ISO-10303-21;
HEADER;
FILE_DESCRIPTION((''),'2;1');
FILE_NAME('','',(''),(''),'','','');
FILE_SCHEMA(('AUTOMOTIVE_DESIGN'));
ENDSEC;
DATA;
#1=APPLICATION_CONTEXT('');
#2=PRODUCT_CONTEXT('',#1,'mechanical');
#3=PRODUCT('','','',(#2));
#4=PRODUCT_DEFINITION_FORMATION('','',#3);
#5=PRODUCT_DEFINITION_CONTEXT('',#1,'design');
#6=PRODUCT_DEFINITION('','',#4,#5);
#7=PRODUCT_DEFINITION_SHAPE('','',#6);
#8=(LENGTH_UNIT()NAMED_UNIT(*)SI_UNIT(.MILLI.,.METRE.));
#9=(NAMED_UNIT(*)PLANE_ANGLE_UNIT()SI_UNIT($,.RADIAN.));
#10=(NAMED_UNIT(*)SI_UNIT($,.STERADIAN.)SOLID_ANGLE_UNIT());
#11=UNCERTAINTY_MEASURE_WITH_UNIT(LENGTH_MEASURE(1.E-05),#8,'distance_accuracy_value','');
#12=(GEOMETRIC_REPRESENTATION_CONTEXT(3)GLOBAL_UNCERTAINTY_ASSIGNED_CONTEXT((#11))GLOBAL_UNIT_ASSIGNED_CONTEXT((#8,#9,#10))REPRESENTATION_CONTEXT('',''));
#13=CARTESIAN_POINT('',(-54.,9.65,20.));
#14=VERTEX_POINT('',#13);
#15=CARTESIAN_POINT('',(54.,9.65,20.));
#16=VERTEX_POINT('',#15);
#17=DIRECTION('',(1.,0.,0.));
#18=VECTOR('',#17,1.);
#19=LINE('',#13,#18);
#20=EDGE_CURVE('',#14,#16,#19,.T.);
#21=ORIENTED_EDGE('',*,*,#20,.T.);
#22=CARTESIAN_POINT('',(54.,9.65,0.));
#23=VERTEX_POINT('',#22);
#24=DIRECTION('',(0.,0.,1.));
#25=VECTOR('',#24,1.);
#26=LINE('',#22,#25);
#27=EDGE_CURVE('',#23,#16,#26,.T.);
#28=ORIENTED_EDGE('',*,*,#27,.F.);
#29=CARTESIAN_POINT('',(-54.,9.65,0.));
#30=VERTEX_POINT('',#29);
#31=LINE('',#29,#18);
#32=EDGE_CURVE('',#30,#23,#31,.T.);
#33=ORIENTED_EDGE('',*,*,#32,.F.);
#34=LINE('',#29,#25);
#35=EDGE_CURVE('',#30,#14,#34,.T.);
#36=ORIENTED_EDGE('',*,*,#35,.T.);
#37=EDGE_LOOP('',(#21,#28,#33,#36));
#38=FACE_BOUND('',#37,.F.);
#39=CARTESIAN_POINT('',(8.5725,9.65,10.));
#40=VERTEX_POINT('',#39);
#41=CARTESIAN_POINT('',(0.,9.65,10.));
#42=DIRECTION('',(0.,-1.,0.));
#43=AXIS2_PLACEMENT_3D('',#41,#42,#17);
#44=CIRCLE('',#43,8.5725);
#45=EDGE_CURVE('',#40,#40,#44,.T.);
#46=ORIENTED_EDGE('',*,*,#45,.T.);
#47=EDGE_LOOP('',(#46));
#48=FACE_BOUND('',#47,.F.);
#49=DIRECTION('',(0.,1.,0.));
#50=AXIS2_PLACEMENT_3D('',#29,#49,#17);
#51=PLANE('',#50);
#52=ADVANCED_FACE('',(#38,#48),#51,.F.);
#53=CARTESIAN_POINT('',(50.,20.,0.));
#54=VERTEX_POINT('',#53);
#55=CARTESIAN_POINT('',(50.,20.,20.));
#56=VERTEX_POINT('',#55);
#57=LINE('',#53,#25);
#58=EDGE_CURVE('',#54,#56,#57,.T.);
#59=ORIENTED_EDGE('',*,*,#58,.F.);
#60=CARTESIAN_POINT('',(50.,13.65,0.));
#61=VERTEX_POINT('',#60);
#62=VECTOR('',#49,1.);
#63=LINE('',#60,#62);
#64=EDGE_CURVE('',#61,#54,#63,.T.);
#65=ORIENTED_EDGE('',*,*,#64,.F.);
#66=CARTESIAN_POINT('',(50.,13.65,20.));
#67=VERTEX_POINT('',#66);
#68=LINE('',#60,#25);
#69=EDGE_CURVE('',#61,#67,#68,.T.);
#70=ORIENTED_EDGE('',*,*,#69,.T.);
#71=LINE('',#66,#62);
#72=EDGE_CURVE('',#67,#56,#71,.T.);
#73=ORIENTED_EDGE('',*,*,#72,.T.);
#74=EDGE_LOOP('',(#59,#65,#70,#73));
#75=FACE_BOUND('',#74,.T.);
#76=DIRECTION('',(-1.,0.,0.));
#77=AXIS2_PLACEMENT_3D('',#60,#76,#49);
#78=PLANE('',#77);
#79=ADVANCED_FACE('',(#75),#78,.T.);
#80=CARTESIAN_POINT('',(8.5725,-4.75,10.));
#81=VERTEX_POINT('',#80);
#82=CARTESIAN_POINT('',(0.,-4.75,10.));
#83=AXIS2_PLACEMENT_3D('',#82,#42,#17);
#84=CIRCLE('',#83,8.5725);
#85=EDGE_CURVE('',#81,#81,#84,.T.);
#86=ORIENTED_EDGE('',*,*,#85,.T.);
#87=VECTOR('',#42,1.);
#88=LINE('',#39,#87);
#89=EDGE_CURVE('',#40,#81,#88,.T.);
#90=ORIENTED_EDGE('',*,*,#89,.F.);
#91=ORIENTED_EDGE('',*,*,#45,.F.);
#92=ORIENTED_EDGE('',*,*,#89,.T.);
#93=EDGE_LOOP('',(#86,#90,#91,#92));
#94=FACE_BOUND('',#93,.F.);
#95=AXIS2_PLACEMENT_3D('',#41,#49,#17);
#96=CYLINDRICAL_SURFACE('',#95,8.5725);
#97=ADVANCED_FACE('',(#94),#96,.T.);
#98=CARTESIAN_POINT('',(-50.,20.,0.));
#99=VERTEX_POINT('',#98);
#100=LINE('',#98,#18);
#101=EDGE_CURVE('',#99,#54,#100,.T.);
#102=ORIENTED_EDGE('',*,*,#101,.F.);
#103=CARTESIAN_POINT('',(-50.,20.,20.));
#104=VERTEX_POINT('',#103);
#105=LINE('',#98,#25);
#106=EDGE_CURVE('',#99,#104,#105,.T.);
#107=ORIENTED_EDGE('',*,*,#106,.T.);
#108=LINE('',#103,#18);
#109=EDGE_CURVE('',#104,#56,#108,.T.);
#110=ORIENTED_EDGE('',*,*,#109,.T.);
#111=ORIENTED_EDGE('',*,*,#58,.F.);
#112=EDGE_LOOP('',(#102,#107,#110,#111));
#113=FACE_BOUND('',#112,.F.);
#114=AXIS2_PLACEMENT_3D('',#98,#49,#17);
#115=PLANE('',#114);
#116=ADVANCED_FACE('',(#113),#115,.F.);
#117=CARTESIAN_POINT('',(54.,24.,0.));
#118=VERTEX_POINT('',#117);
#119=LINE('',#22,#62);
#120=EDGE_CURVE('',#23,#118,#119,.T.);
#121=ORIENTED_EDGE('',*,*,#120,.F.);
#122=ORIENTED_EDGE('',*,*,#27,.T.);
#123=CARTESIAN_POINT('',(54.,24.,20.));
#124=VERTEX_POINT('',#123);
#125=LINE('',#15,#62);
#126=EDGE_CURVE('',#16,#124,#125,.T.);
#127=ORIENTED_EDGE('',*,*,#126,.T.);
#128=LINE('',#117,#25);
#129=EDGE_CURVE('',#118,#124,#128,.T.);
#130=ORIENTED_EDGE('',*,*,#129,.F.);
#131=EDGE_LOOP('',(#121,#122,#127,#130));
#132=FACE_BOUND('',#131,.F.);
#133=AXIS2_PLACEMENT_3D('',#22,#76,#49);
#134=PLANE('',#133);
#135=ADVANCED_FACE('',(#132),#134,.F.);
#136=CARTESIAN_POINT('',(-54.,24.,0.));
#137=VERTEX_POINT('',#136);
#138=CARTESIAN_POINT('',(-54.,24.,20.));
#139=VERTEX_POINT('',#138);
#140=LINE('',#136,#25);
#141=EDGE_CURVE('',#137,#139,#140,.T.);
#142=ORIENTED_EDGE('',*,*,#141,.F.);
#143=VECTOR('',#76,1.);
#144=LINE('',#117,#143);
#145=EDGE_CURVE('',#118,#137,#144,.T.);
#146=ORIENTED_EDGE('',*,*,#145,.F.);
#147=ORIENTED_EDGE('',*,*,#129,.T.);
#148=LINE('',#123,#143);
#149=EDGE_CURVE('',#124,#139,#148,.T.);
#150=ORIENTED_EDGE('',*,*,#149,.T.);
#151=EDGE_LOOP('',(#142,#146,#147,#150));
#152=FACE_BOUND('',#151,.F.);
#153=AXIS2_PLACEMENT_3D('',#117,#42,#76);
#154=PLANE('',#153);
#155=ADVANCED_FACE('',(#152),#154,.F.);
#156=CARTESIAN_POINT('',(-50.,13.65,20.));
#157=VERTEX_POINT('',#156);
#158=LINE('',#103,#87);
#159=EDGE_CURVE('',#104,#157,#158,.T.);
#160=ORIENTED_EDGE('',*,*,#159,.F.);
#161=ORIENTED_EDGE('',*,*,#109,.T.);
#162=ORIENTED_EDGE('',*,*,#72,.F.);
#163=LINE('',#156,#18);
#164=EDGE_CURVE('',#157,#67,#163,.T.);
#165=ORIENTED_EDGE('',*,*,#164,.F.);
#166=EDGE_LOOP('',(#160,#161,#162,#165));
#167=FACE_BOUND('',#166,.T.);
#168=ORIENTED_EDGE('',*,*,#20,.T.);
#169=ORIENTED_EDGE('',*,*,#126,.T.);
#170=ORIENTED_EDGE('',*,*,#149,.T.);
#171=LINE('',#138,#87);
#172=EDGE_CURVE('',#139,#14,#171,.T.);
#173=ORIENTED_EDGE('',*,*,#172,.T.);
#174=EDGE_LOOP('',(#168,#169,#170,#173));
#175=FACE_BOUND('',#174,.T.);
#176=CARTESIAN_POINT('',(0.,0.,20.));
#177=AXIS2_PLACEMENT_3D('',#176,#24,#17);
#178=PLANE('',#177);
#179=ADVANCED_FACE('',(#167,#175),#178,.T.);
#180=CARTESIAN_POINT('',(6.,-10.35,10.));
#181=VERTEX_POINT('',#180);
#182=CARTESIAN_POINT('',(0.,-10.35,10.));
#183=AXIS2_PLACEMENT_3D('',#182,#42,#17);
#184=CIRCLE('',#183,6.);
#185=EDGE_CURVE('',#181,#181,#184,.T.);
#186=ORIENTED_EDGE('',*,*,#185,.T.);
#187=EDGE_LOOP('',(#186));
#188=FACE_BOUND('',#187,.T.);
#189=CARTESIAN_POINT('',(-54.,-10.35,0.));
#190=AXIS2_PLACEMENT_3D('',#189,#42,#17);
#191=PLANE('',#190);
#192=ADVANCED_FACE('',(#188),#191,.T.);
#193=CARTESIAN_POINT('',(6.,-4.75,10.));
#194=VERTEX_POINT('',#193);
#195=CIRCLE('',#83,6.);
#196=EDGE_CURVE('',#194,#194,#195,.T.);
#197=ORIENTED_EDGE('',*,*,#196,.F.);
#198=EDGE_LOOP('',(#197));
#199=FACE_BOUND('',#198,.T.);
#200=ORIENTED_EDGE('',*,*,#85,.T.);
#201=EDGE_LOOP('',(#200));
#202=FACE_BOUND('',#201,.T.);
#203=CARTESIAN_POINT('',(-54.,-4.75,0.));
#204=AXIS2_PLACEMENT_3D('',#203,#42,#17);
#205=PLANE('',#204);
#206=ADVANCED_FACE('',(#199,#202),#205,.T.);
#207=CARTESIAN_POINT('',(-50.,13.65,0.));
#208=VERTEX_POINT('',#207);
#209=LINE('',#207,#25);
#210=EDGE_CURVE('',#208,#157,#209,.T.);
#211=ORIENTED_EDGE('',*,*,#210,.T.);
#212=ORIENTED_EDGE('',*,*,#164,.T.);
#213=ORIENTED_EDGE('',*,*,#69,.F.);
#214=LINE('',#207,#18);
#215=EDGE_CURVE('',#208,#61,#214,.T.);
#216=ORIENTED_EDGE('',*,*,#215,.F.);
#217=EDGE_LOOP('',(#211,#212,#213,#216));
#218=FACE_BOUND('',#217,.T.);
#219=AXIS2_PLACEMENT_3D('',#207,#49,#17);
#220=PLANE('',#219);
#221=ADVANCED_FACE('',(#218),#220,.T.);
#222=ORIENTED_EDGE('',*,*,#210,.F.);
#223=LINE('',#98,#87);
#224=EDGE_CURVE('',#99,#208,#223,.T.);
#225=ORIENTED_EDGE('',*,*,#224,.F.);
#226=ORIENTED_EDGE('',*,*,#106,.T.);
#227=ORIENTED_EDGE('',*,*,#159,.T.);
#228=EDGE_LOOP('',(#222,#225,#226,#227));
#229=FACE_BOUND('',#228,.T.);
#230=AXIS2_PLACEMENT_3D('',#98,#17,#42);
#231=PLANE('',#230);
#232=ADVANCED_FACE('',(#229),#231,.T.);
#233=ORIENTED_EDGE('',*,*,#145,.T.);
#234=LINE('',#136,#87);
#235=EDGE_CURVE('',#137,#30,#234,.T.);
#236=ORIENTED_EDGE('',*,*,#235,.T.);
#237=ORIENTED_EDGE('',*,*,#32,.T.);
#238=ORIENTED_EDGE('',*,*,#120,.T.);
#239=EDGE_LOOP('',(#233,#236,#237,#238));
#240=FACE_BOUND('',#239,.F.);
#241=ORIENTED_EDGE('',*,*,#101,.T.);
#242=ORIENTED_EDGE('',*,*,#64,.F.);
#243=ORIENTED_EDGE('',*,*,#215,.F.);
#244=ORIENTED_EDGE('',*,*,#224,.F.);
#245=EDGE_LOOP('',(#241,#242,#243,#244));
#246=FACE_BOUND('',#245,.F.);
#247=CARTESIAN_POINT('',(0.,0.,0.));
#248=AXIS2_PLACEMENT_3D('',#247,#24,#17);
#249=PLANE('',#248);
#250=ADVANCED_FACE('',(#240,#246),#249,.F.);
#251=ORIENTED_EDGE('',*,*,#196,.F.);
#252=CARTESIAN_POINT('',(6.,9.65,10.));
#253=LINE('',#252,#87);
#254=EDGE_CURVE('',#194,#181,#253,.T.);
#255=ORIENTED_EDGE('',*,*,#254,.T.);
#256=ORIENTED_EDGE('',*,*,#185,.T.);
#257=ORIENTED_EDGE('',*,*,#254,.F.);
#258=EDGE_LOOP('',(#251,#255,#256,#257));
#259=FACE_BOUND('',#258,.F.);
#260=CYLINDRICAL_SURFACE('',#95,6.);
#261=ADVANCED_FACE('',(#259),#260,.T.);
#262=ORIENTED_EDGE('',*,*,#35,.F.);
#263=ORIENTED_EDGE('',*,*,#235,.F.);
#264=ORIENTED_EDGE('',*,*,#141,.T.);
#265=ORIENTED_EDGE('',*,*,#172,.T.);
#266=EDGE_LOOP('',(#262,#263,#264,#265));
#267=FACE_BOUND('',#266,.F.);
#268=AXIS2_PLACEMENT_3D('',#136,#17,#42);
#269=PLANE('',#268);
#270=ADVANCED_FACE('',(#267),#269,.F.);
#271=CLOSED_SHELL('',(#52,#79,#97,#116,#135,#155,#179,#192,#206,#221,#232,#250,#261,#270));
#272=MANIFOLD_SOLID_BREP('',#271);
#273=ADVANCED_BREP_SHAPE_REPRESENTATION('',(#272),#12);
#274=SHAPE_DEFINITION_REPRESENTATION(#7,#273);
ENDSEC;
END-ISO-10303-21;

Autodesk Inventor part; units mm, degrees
ref_plane "YZ Plane" through (0, 0, 0) normal (1, 0, 0) x (0, 1, 0)
ref_plane "XZ Plane" through (0, 0, 0) normal (0, 1, 0) x (-1, 0, 0)
ref_plane "XY Plane" through (0, 0, 0) normal (0, 0, 1) x (1, 0, 0)
sketch "Sketch1" plane through (0, 0, 0) normal (0, 0, 1) x (1, 0, 0)
  line L0 (-50, 20) -> (50, 20)
  line L1 (-50, 20) -> (-50, 13.65)
  line L2 (-50, 13.65) -> (50, 13.65)
  line L3 (50, 13.65) -> (50, 20)
  line L4 (54, 24) -> (-54, 24)
  line L5 (-54, 24) -> (-54, 9.65)
  line L6 (-54, 9.65) -> (54, 9.65)
  line L7 (54, 9.65) -> (54, 24)
  point P0 (0, 0)
  dimension "d0" = 100
  dimension "d1" = 6.35
  dimension "d2" = 4
extrude "Extrusion1" add sketch "Sketch1" along normal blind 20
sketch "Sketch2" plane through (-54, 9.65, 0) normal (0, -1, 0) x (1, 0, 0)
  circle A0 centre (54, 10) radius 6
  point P0 (54, 0)
  dimension "d5" = 12
extrude "Extrusion2" add sketch "Sketch2" along normal blind 20
sketch "Sketch3" plane through (-54, 9.65, 0) normal (0, -1, 0) x (1, 0, 0)
  circle A0 centre (54, 10) radius 6 projected
  circle A1 centre (54, 10) radius 8.5725
  point P0 (54, 0)
  dimension "d8" = 17.145
extrude "Extrusion3" add sketch "Sketch3" along normal blind 14.4
properties part number "Bracket"
